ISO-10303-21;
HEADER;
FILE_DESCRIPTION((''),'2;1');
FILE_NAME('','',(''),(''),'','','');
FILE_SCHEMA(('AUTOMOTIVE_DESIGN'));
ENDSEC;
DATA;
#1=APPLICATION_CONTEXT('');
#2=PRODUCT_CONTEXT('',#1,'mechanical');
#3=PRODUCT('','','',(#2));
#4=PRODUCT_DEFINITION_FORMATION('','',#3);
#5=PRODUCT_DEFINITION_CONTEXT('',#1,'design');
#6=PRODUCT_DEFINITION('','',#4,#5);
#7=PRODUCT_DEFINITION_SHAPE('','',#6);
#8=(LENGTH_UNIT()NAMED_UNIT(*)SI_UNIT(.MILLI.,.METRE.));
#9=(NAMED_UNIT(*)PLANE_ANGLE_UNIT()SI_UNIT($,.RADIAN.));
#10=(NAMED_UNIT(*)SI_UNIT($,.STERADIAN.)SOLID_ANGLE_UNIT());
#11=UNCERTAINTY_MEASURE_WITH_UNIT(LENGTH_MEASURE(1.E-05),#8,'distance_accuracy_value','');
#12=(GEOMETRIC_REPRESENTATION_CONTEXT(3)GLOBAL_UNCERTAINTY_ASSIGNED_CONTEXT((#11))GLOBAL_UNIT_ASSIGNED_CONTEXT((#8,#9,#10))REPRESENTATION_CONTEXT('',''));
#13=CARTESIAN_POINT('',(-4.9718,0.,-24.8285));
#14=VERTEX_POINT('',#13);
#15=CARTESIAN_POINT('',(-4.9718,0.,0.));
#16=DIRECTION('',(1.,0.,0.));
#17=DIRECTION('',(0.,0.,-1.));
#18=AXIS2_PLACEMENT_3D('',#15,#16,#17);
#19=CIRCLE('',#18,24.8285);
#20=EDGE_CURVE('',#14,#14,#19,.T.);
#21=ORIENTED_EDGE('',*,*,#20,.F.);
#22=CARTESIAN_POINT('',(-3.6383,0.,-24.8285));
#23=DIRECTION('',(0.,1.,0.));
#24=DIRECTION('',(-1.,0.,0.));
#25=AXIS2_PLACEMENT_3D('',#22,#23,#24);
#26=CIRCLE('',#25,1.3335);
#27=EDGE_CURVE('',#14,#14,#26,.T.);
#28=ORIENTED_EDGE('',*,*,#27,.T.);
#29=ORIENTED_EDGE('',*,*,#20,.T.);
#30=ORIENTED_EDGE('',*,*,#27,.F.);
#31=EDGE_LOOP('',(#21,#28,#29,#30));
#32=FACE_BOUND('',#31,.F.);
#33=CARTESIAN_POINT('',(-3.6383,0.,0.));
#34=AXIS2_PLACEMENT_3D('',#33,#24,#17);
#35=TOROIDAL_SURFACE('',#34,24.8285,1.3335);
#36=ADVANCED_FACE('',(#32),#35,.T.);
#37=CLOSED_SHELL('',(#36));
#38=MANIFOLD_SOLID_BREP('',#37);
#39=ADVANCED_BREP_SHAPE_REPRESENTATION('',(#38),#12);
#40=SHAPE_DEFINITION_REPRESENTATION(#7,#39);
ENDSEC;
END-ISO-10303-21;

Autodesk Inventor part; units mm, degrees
ref_plane "YZ Plane" through (0, 0, 0) normal (1, 0, 0) x (0, 1, 0)
ref_plane "XZ Plane" through (0, 0, 0) normal (0, 1, 0) x (-1, 0, 0)
ref_plane "XY Plane" through (0, 0, 0) normal (0, 0, 1) x (1, 0, 0)
sketch "Sketch1" plane through (0, 0, 0) normal (0, 1, 0) x (-1, 0, 0)
  line L0 (10.5791, 0) -> (-7.258, 0) construction
  circle A0 centre (3.6383, -24.8285) radius 1.3335
  point P0 (0, 0)
  dimension "d0" = 2.667
  dimension "d1" = 23.495
revolve "Revolution1" add sketch "Sketch1" angle 360 about axis through (-10.5791, 0, 0) along (1, 0, 0)
properties part number "O-ring for LED Acrylic"
